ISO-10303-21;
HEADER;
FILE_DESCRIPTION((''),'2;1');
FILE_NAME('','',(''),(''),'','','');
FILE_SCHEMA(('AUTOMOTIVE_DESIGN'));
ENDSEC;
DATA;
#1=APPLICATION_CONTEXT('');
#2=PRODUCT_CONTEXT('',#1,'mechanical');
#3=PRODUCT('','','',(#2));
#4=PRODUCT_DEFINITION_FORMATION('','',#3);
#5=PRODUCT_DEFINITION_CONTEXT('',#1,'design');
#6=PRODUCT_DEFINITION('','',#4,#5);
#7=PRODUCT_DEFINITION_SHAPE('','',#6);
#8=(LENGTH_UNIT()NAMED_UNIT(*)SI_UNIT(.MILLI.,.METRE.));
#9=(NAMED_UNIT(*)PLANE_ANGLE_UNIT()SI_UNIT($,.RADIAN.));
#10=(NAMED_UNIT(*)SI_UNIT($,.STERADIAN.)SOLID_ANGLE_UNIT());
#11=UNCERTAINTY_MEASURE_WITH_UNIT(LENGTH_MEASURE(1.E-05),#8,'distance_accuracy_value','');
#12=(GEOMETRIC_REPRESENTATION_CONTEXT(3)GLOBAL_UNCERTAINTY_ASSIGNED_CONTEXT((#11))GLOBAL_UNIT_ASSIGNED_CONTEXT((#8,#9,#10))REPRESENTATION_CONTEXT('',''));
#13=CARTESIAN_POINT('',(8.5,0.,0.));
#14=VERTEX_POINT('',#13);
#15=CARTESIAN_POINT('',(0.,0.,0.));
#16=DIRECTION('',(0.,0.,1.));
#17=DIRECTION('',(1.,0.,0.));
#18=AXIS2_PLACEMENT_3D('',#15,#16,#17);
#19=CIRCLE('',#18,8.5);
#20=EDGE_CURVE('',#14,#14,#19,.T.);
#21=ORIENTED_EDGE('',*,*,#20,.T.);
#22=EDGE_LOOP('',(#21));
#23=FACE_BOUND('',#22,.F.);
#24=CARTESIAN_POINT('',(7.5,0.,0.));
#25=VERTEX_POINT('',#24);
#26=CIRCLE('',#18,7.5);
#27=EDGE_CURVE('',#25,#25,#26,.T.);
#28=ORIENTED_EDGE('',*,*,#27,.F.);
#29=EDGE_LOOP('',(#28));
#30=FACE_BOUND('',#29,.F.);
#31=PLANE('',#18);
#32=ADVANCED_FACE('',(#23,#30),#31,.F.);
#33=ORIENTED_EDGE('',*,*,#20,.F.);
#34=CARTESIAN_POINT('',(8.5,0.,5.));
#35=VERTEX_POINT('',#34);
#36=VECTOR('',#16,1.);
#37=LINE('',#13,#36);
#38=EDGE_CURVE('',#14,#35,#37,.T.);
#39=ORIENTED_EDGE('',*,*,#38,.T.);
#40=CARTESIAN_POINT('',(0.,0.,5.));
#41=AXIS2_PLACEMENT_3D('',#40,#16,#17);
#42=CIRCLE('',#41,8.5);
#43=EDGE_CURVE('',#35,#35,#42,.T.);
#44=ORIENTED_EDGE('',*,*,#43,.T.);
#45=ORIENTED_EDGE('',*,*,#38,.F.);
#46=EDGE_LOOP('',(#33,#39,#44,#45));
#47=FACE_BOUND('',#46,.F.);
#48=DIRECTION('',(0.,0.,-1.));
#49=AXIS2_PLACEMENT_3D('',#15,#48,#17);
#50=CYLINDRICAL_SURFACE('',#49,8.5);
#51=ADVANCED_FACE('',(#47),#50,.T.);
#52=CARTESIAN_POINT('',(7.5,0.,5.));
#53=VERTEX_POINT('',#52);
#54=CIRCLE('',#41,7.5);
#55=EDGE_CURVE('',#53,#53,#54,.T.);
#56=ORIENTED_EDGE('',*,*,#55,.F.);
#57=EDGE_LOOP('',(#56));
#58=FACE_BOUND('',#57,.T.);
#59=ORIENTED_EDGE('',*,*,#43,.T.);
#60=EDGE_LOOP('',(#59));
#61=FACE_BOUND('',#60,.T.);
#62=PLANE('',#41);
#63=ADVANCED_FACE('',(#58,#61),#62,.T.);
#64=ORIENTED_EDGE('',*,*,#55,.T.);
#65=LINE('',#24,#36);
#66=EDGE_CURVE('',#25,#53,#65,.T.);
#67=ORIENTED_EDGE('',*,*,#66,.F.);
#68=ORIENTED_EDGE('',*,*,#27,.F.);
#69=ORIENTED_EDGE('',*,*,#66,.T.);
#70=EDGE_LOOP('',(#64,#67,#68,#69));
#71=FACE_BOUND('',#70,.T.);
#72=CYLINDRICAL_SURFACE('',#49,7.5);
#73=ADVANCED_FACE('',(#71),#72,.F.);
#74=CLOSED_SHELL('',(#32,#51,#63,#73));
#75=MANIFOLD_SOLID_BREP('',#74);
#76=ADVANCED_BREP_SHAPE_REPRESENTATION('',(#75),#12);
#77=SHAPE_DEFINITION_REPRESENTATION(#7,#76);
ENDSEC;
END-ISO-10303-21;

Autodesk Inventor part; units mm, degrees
ref_plane "YZ Plane" through (0, 0, 0) normal (1, 0, 0) x (0, 1, 0)
ref_plane "XZ Plane" through (0, 0, 0) normal (0, 1, 0) x (-1, 0, 0)
ref_plane "XY Plane" through (0, 0, 0) normal (0, 0, 1) x (1, 0, 0)
sketch "スケッチ1" plane through (0, 0, 0) normal (0, 0, 1) x (1, 0, 0)
  circle A0 centre (0, 0) radius 7.5
  circle A1 centre (0, 0) radius 8.5
  dimension "d0" = 15
  dimension "d1" = 17
extrude "押し出し1" add sketch "スケッチ1" along normal blind 5
properties part number "オイレス151705" material "アセタール樹脂、黒"
